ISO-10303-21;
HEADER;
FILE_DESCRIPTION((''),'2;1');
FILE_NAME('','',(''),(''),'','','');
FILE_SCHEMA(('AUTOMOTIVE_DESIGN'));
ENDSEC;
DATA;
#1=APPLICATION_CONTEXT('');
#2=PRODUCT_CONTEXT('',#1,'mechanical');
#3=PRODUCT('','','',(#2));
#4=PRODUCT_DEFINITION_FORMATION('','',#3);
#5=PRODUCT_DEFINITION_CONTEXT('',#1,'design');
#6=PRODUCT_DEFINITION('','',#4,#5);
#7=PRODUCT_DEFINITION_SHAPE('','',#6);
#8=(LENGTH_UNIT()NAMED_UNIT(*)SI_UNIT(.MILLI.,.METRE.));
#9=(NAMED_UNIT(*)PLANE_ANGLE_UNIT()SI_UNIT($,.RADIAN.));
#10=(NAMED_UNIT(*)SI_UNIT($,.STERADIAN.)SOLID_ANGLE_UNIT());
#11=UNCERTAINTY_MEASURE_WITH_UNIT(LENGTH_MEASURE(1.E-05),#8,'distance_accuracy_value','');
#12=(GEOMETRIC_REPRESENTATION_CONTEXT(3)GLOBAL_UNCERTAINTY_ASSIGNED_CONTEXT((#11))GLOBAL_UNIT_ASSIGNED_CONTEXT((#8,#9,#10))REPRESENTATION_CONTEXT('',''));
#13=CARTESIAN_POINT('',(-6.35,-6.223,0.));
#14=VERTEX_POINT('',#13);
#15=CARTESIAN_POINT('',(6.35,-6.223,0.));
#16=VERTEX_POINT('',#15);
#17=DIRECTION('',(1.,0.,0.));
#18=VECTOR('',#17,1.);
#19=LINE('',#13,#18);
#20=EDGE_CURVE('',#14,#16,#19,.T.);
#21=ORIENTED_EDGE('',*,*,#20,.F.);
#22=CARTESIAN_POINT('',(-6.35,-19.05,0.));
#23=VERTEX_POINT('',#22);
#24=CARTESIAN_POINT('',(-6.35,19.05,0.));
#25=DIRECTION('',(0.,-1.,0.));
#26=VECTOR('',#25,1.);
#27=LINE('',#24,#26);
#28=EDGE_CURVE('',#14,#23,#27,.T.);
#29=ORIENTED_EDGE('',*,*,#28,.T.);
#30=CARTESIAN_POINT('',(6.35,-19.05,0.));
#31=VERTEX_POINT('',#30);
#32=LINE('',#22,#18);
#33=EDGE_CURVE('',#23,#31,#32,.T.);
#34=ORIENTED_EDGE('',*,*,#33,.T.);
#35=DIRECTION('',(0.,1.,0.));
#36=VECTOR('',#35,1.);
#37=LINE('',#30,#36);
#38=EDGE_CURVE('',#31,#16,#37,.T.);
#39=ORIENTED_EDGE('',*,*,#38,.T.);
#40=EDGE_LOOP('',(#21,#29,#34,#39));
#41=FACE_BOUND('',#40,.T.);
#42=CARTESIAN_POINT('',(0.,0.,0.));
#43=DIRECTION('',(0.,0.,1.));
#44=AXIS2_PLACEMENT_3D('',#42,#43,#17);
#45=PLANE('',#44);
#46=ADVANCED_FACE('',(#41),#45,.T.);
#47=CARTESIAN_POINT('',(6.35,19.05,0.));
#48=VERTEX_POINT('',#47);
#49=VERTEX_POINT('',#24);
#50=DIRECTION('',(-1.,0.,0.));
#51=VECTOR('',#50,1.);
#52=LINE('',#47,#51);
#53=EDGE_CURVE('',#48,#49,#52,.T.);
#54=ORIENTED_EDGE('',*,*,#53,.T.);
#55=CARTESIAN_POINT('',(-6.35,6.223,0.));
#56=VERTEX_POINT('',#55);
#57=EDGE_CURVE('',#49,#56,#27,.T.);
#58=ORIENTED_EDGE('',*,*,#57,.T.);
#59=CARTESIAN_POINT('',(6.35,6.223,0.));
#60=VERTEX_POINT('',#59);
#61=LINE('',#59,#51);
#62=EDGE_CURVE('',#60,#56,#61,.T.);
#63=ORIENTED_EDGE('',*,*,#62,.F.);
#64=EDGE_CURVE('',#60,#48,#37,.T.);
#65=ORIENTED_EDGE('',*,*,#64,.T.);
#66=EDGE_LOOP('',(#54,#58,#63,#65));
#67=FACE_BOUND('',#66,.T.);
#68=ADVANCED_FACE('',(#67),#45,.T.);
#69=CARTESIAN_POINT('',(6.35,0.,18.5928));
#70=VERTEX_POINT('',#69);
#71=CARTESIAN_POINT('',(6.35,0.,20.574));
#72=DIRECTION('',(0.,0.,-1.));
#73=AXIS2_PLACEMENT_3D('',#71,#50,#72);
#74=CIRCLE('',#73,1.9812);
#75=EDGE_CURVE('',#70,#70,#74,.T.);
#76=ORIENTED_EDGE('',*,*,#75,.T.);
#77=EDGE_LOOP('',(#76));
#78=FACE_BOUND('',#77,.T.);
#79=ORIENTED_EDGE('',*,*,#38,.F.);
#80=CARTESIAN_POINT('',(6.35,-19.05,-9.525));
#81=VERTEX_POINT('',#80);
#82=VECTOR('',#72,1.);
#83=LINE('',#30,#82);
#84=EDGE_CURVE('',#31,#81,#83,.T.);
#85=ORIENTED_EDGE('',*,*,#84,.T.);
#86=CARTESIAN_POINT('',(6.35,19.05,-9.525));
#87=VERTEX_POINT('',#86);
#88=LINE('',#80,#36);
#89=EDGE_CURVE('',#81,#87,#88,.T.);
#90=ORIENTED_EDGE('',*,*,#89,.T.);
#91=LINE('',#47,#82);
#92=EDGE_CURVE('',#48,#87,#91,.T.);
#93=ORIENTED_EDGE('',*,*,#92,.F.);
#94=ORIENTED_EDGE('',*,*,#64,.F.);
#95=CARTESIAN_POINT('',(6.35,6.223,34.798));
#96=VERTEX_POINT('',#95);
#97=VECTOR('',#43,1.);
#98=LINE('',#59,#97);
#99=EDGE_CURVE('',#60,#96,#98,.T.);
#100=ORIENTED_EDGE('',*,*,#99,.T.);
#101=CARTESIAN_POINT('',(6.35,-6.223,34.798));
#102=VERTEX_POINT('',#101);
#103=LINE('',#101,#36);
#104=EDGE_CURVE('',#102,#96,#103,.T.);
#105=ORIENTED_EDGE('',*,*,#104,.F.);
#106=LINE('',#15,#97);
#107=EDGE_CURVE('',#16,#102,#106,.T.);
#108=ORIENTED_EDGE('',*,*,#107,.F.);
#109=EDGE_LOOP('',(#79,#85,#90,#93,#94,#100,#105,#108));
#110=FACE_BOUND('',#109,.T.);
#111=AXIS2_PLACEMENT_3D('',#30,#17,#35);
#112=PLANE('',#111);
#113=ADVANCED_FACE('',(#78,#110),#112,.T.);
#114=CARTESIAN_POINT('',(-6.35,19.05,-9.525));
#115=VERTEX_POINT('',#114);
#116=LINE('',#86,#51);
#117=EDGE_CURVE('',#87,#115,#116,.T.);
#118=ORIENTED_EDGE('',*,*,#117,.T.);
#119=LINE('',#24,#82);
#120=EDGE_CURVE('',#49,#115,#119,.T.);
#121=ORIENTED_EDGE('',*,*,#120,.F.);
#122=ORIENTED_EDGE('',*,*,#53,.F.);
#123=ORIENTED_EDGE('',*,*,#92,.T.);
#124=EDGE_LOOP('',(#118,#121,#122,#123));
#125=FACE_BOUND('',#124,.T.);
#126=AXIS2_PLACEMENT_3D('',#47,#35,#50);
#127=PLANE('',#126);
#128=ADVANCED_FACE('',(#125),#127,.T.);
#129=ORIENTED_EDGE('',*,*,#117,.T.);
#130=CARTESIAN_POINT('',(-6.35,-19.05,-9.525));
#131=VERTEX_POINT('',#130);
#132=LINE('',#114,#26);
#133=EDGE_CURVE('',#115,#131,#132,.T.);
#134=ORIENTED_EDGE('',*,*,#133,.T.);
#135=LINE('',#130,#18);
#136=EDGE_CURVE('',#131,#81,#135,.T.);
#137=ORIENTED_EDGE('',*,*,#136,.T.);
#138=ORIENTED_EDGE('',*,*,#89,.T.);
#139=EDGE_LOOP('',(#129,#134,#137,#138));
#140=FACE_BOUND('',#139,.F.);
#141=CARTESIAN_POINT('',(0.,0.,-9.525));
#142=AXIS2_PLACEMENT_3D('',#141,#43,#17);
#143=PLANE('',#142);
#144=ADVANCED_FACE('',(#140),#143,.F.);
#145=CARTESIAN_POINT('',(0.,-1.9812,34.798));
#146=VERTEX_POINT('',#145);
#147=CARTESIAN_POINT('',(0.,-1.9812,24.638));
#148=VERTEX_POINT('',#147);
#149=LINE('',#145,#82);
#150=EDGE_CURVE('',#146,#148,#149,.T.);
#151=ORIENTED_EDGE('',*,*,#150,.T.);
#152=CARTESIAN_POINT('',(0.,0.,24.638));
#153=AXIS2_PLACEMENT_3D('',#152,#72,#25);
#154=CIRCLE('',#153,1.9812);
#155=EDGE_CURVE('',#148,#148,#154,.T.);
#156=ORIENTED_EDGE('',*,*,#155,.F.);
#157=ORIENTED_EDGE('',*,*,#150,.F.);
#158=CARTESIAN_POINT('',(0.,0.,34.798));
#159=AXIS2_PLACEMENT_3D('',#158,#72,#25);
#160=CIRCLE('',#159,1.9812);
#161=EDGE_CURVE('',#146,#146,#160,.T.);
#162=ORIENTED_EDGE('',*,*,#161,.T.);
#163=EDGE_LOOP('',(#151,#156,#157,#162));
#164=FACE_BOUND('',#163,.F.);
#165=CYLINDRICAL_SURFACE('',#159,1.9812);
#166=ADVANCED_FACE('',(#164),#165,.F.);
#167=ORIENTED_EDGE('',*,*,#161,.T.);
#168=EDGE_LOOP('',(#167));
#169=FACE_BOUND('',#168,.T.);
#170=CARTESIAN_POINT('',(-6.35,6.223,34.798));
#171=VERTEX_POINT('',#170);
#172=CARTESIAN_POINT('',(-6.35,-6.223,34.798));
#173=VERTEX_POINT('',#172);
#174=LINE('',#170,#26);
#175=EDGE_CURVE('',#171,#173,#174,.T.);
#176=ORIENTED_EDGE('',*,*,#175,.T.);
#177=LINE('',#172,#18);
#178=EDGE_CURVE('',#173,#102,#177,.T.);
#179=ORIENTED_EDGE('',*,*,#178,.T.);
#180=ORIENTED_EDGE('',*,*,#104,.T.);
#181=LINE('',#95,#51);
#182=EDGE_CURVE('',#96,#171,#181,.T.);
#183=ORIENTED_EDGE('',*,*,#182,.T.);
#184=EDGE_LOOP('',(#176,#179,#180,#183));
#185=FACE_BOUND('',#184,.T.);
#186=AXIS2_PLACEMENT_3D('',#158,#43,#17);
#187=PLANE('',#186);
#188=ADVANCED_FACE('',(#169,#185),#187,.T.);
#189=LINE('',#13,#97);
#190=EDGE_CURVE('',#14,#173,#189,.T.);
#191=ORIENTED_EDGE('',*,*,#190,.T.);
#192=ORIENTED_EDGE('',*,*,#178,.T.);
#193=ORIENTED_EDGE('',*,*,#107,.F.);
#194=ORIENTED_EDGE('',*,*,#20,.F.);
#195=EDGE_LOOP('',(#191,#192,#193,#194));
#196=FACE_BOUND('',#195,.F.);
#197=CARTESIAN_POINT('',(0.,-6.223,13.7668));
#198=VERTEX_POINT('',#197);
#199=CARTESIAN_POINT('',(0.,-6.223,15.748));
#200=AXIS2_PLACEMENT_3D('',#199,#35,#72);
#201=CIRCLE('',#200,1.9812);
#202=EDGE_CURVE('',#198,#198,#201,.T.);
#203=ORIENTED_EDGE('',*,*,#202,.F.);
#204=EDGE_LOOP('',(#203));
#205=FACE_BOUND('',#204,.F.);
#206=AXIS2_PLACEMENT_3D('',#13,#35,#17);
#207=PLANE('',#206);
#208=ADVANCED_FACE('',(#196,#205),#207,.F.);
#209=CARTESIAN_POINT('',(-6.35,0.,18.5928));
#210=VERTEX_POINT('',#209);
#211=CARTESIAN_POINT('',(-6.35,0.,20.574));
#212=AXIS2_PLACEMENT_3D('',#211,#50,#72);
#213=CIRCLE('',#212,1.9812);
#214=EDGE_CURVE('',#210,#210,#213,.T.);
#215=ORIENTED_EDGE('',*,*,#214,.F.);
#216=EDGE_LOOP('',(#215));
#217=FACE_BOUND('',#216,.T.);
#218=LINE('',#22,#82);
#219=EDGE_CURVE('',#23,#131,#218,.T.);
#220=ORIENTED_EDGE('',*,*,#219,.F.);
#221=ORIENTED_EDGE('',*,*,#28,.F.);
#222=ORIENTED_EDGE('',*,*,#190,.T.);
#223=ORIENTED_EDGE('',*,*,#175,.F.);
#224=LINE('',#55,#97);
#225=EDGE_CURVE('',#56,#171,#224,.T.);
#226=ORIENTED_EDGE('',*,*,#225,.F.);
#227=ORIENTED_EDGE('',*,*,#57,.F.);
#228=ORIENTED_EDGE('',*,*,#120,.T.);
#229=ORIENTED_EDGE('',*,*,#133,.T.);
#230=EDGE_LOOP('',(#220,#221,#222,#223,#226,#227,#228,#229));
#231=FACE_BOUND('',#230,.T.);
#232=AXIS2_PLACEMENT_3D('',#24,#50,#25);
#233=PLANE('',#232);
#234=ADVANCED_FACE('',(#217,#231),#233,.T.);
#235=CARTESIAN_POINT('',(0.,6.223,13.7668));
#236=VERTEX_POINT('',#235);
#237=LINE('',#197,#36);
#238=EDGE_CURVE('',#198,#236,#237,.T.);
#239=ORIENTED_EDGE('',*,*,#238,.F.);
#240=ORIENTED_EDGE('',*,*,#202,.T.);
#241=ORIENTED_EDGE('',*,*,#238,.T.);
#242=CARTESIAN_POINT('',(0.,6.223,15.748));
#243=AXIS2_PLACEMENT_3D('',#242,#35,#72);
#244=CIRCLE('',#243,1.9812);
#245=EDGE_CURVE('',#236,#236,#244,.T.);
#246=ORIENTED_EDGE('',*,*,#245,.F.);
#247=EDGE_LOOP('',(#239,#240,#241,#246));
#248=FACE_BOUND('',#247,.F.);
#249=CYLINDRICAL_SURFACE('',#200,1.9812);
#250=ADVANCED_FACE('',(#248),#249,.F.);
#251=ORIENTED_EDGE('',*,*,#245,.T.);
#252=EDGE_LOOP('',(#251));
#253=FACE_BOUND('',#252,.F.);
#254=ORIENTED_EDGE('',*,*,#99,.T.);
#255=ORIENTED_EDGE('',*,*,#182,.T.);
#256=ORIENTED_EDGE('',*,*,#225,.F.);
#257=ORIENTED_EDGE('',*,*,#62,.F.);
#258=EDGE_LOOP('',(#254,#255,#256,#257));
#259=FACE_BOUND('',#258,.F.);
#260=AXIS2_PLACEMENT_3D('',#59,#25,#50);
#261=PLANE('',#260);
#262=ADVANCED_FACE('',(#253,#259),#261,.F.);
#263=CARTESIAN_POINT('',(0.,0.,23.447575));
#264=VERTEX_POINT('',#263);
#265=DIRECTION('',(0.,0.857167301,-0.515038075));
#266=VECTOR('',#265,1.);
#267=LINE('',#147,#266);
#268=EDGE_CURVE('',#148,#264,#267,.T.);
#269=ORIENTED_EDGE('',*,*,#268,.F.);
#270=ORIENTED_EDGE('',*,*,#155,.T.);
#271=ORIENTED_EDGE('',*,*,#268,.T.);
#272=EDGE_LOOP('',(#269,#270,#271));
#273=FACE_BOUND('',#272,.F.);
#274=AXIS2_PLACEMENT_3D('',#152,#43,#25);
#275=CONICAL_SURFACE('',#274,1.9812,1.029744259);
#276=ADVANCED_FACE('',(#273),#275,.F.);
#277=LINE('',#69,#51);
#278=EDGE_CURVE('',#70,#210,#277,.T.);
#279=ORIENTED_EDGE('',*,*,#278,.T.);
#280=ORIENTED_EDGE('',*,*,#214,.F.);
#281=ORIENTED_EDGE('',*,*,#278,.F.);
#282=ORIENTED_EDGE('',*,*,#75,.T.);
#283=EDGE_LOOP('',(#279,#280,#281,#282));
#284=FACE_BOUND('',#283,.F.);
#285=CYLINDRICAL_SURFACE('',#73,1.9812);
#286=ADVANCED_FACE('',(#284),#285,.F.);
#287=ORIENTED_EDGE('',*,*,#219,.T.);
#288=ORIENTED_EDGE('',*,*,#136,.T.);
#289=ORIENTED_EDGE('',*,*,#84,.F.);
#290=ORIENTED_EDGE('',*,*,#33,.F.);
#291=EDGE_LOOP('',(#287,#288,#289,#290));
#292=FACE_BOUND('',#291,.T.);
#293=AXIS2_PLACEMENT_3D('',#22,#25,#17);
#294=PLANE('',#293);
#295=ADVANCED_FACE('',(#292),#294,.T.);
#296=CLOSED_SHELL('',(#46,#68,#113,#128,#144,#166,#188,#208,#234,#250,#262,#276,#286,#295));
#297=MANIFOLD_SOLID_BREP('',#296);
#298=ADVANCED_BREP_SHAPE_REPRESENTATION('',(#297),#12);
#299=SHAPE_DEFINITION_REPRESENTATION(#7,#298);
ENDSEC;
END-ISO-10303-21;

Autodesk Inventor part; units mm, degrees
ref_plane "YZ Plane" through (0, 0, 0) normal (1, 0, 0) x (0, 1, 0)
ref_plane "XZ Plane" through (0, 0, 0) normal (0, 1, 0) x (-1, 0, 0)
ref_plane "XY Plane" through (0, 0, 0) normal (0, 0, 1) x (1, 0, 0)
sketch "Sketch1" plane through (0, 0, 0) normal (0, 0, 1) x (1, 0, 0)
  line L0 (-6.35, -19.05) -> (6.35, -19.05)
  line L1 (6.35, -19.05) -> (6.35, 19.05)
  line L2 (6.35, 19.05) -> (-6.35, 19.05)
  line L3 (-6.35, 19.05) -> (-6.35, -19.05)
  line L4 (-6.35, -19.05) -> (6.35, 19.05) construction
  line L5 (6.35, -19.05) -> (-6.35, 19.05) construction
  point P0 (0, 0)
  dimension "height" = 38.1
  dimension "width" = 12.7
extrude "Extrusion9" add sketch "Sketch1" against normal blind 9.525
sketch "Sketch19" plane through (0, 0, 0) normal (0, 0, 1) x (1, 0, 0)
  line L0 (-6.35, -6.223) -> (6.35, -6.223)
  line L1 (6.35, -6.223) -> (6.35, 6.223)
  line L2 (6.35, 6.223) -> (-6.35, 6.223)
  line L3 (-6.35, 6.223) -> (-6.35, -6.223)
  line L4 (-6.35, -6.223) -> (6.35, 6.223) construction
  line L5 (6.35, -6.223) -> (-6.35, 6.223) construction
  line L6 (-6.35, 19.05) -> (-6.35, -19.05) projected
  point P0 (0, 0)
  dimension "d126" = 12.446
extrude "Extrusion10" add sketch "Sketch19" along normal blind 34.798
sketch "Sketch20" plane through (6.35, -19.05, -9.525) normal (1, 0, 0) x (0, 0, -1)
  line L0 (-9.525, 25.273) -> (-9.525, 38.1) projected
  line L1 (-9.525, 19.05) -> (-44.323, 19.05) construction
  line L2 (-44.323, 25.273) -> (-44.323, 12.827) construction
  point P0 (-30.099, 19.05)
  dimension "d129" = 20.574
  dimension "d137" = 0
hole "Hole13" at (6.35, 0, 20.574) direction (-1, 0, 0) diameter 3.9624 end through all thread size "10-32 UNF" class "2B" standard "ANSI Unified Screw Threads"
sketch "Sketch21" plane through (0, 0, 34.798) normal (0, 0, 1) x (1, 0, 0)
  point P0 (0, 0)
  point P1 (0, 0)
hole "Hole14" at (0, 0, 34.798) direction (0, 0, -1) diameter 3.9624 depth 10.16 tip angle 118 thread size "10-32 UNF" class "2B" standard "ANSI Unified Screw Threads"
sketch "Sketch22" plane through (-6.35, -6.223, 0) normal (0, -1, 0) x (1, 0, 0)
  point P0 (6.35, 0)
sketch "Sketch23" plane through (-6.35, -6.223, 0) normal (0, -1, 0) x (1, 0, 0)
  line L0 (0, 34.798) -> (12.7, 34.798) projected
  point P0 (6.35, 0)
  point P1 (6.35, 15.748)
  dimension "d145" = 19.05
hole "Hole15" at (0, -6.223, 15.748) direction (0, 1, 0) diameter 3.9624 end through all thread size "10-32 UNF" class "2B" standard "ANSI Unified Screw Threads"
equation "\"height\" = partHeight"
equation "\"width\" = partWidth"
equation "\"d124\" = depthBehindPlate"
equation "\"d126\" = slotWidth"
equation "\"d127\" = 2 * centerLineOfCylinder + plateThickness"
equation "\"d129\" = centerLineOfCylinder + plateThickness"
equation "\"partWidth\" = 12.7"
equation "\"centerLineOfCylinder\" = 14.224"
equation "\"partHeight\" = 38.1"
equation "\"depthBehindPlate\" = 9.525"
equation "\"plateThickness\" = 6.35"
equation "\"printerOffset\" = 0.254"
equation "\"slotWidth\" = 12.446"
properties part number "vexSupportForArm" material "Aluminum 6061"
